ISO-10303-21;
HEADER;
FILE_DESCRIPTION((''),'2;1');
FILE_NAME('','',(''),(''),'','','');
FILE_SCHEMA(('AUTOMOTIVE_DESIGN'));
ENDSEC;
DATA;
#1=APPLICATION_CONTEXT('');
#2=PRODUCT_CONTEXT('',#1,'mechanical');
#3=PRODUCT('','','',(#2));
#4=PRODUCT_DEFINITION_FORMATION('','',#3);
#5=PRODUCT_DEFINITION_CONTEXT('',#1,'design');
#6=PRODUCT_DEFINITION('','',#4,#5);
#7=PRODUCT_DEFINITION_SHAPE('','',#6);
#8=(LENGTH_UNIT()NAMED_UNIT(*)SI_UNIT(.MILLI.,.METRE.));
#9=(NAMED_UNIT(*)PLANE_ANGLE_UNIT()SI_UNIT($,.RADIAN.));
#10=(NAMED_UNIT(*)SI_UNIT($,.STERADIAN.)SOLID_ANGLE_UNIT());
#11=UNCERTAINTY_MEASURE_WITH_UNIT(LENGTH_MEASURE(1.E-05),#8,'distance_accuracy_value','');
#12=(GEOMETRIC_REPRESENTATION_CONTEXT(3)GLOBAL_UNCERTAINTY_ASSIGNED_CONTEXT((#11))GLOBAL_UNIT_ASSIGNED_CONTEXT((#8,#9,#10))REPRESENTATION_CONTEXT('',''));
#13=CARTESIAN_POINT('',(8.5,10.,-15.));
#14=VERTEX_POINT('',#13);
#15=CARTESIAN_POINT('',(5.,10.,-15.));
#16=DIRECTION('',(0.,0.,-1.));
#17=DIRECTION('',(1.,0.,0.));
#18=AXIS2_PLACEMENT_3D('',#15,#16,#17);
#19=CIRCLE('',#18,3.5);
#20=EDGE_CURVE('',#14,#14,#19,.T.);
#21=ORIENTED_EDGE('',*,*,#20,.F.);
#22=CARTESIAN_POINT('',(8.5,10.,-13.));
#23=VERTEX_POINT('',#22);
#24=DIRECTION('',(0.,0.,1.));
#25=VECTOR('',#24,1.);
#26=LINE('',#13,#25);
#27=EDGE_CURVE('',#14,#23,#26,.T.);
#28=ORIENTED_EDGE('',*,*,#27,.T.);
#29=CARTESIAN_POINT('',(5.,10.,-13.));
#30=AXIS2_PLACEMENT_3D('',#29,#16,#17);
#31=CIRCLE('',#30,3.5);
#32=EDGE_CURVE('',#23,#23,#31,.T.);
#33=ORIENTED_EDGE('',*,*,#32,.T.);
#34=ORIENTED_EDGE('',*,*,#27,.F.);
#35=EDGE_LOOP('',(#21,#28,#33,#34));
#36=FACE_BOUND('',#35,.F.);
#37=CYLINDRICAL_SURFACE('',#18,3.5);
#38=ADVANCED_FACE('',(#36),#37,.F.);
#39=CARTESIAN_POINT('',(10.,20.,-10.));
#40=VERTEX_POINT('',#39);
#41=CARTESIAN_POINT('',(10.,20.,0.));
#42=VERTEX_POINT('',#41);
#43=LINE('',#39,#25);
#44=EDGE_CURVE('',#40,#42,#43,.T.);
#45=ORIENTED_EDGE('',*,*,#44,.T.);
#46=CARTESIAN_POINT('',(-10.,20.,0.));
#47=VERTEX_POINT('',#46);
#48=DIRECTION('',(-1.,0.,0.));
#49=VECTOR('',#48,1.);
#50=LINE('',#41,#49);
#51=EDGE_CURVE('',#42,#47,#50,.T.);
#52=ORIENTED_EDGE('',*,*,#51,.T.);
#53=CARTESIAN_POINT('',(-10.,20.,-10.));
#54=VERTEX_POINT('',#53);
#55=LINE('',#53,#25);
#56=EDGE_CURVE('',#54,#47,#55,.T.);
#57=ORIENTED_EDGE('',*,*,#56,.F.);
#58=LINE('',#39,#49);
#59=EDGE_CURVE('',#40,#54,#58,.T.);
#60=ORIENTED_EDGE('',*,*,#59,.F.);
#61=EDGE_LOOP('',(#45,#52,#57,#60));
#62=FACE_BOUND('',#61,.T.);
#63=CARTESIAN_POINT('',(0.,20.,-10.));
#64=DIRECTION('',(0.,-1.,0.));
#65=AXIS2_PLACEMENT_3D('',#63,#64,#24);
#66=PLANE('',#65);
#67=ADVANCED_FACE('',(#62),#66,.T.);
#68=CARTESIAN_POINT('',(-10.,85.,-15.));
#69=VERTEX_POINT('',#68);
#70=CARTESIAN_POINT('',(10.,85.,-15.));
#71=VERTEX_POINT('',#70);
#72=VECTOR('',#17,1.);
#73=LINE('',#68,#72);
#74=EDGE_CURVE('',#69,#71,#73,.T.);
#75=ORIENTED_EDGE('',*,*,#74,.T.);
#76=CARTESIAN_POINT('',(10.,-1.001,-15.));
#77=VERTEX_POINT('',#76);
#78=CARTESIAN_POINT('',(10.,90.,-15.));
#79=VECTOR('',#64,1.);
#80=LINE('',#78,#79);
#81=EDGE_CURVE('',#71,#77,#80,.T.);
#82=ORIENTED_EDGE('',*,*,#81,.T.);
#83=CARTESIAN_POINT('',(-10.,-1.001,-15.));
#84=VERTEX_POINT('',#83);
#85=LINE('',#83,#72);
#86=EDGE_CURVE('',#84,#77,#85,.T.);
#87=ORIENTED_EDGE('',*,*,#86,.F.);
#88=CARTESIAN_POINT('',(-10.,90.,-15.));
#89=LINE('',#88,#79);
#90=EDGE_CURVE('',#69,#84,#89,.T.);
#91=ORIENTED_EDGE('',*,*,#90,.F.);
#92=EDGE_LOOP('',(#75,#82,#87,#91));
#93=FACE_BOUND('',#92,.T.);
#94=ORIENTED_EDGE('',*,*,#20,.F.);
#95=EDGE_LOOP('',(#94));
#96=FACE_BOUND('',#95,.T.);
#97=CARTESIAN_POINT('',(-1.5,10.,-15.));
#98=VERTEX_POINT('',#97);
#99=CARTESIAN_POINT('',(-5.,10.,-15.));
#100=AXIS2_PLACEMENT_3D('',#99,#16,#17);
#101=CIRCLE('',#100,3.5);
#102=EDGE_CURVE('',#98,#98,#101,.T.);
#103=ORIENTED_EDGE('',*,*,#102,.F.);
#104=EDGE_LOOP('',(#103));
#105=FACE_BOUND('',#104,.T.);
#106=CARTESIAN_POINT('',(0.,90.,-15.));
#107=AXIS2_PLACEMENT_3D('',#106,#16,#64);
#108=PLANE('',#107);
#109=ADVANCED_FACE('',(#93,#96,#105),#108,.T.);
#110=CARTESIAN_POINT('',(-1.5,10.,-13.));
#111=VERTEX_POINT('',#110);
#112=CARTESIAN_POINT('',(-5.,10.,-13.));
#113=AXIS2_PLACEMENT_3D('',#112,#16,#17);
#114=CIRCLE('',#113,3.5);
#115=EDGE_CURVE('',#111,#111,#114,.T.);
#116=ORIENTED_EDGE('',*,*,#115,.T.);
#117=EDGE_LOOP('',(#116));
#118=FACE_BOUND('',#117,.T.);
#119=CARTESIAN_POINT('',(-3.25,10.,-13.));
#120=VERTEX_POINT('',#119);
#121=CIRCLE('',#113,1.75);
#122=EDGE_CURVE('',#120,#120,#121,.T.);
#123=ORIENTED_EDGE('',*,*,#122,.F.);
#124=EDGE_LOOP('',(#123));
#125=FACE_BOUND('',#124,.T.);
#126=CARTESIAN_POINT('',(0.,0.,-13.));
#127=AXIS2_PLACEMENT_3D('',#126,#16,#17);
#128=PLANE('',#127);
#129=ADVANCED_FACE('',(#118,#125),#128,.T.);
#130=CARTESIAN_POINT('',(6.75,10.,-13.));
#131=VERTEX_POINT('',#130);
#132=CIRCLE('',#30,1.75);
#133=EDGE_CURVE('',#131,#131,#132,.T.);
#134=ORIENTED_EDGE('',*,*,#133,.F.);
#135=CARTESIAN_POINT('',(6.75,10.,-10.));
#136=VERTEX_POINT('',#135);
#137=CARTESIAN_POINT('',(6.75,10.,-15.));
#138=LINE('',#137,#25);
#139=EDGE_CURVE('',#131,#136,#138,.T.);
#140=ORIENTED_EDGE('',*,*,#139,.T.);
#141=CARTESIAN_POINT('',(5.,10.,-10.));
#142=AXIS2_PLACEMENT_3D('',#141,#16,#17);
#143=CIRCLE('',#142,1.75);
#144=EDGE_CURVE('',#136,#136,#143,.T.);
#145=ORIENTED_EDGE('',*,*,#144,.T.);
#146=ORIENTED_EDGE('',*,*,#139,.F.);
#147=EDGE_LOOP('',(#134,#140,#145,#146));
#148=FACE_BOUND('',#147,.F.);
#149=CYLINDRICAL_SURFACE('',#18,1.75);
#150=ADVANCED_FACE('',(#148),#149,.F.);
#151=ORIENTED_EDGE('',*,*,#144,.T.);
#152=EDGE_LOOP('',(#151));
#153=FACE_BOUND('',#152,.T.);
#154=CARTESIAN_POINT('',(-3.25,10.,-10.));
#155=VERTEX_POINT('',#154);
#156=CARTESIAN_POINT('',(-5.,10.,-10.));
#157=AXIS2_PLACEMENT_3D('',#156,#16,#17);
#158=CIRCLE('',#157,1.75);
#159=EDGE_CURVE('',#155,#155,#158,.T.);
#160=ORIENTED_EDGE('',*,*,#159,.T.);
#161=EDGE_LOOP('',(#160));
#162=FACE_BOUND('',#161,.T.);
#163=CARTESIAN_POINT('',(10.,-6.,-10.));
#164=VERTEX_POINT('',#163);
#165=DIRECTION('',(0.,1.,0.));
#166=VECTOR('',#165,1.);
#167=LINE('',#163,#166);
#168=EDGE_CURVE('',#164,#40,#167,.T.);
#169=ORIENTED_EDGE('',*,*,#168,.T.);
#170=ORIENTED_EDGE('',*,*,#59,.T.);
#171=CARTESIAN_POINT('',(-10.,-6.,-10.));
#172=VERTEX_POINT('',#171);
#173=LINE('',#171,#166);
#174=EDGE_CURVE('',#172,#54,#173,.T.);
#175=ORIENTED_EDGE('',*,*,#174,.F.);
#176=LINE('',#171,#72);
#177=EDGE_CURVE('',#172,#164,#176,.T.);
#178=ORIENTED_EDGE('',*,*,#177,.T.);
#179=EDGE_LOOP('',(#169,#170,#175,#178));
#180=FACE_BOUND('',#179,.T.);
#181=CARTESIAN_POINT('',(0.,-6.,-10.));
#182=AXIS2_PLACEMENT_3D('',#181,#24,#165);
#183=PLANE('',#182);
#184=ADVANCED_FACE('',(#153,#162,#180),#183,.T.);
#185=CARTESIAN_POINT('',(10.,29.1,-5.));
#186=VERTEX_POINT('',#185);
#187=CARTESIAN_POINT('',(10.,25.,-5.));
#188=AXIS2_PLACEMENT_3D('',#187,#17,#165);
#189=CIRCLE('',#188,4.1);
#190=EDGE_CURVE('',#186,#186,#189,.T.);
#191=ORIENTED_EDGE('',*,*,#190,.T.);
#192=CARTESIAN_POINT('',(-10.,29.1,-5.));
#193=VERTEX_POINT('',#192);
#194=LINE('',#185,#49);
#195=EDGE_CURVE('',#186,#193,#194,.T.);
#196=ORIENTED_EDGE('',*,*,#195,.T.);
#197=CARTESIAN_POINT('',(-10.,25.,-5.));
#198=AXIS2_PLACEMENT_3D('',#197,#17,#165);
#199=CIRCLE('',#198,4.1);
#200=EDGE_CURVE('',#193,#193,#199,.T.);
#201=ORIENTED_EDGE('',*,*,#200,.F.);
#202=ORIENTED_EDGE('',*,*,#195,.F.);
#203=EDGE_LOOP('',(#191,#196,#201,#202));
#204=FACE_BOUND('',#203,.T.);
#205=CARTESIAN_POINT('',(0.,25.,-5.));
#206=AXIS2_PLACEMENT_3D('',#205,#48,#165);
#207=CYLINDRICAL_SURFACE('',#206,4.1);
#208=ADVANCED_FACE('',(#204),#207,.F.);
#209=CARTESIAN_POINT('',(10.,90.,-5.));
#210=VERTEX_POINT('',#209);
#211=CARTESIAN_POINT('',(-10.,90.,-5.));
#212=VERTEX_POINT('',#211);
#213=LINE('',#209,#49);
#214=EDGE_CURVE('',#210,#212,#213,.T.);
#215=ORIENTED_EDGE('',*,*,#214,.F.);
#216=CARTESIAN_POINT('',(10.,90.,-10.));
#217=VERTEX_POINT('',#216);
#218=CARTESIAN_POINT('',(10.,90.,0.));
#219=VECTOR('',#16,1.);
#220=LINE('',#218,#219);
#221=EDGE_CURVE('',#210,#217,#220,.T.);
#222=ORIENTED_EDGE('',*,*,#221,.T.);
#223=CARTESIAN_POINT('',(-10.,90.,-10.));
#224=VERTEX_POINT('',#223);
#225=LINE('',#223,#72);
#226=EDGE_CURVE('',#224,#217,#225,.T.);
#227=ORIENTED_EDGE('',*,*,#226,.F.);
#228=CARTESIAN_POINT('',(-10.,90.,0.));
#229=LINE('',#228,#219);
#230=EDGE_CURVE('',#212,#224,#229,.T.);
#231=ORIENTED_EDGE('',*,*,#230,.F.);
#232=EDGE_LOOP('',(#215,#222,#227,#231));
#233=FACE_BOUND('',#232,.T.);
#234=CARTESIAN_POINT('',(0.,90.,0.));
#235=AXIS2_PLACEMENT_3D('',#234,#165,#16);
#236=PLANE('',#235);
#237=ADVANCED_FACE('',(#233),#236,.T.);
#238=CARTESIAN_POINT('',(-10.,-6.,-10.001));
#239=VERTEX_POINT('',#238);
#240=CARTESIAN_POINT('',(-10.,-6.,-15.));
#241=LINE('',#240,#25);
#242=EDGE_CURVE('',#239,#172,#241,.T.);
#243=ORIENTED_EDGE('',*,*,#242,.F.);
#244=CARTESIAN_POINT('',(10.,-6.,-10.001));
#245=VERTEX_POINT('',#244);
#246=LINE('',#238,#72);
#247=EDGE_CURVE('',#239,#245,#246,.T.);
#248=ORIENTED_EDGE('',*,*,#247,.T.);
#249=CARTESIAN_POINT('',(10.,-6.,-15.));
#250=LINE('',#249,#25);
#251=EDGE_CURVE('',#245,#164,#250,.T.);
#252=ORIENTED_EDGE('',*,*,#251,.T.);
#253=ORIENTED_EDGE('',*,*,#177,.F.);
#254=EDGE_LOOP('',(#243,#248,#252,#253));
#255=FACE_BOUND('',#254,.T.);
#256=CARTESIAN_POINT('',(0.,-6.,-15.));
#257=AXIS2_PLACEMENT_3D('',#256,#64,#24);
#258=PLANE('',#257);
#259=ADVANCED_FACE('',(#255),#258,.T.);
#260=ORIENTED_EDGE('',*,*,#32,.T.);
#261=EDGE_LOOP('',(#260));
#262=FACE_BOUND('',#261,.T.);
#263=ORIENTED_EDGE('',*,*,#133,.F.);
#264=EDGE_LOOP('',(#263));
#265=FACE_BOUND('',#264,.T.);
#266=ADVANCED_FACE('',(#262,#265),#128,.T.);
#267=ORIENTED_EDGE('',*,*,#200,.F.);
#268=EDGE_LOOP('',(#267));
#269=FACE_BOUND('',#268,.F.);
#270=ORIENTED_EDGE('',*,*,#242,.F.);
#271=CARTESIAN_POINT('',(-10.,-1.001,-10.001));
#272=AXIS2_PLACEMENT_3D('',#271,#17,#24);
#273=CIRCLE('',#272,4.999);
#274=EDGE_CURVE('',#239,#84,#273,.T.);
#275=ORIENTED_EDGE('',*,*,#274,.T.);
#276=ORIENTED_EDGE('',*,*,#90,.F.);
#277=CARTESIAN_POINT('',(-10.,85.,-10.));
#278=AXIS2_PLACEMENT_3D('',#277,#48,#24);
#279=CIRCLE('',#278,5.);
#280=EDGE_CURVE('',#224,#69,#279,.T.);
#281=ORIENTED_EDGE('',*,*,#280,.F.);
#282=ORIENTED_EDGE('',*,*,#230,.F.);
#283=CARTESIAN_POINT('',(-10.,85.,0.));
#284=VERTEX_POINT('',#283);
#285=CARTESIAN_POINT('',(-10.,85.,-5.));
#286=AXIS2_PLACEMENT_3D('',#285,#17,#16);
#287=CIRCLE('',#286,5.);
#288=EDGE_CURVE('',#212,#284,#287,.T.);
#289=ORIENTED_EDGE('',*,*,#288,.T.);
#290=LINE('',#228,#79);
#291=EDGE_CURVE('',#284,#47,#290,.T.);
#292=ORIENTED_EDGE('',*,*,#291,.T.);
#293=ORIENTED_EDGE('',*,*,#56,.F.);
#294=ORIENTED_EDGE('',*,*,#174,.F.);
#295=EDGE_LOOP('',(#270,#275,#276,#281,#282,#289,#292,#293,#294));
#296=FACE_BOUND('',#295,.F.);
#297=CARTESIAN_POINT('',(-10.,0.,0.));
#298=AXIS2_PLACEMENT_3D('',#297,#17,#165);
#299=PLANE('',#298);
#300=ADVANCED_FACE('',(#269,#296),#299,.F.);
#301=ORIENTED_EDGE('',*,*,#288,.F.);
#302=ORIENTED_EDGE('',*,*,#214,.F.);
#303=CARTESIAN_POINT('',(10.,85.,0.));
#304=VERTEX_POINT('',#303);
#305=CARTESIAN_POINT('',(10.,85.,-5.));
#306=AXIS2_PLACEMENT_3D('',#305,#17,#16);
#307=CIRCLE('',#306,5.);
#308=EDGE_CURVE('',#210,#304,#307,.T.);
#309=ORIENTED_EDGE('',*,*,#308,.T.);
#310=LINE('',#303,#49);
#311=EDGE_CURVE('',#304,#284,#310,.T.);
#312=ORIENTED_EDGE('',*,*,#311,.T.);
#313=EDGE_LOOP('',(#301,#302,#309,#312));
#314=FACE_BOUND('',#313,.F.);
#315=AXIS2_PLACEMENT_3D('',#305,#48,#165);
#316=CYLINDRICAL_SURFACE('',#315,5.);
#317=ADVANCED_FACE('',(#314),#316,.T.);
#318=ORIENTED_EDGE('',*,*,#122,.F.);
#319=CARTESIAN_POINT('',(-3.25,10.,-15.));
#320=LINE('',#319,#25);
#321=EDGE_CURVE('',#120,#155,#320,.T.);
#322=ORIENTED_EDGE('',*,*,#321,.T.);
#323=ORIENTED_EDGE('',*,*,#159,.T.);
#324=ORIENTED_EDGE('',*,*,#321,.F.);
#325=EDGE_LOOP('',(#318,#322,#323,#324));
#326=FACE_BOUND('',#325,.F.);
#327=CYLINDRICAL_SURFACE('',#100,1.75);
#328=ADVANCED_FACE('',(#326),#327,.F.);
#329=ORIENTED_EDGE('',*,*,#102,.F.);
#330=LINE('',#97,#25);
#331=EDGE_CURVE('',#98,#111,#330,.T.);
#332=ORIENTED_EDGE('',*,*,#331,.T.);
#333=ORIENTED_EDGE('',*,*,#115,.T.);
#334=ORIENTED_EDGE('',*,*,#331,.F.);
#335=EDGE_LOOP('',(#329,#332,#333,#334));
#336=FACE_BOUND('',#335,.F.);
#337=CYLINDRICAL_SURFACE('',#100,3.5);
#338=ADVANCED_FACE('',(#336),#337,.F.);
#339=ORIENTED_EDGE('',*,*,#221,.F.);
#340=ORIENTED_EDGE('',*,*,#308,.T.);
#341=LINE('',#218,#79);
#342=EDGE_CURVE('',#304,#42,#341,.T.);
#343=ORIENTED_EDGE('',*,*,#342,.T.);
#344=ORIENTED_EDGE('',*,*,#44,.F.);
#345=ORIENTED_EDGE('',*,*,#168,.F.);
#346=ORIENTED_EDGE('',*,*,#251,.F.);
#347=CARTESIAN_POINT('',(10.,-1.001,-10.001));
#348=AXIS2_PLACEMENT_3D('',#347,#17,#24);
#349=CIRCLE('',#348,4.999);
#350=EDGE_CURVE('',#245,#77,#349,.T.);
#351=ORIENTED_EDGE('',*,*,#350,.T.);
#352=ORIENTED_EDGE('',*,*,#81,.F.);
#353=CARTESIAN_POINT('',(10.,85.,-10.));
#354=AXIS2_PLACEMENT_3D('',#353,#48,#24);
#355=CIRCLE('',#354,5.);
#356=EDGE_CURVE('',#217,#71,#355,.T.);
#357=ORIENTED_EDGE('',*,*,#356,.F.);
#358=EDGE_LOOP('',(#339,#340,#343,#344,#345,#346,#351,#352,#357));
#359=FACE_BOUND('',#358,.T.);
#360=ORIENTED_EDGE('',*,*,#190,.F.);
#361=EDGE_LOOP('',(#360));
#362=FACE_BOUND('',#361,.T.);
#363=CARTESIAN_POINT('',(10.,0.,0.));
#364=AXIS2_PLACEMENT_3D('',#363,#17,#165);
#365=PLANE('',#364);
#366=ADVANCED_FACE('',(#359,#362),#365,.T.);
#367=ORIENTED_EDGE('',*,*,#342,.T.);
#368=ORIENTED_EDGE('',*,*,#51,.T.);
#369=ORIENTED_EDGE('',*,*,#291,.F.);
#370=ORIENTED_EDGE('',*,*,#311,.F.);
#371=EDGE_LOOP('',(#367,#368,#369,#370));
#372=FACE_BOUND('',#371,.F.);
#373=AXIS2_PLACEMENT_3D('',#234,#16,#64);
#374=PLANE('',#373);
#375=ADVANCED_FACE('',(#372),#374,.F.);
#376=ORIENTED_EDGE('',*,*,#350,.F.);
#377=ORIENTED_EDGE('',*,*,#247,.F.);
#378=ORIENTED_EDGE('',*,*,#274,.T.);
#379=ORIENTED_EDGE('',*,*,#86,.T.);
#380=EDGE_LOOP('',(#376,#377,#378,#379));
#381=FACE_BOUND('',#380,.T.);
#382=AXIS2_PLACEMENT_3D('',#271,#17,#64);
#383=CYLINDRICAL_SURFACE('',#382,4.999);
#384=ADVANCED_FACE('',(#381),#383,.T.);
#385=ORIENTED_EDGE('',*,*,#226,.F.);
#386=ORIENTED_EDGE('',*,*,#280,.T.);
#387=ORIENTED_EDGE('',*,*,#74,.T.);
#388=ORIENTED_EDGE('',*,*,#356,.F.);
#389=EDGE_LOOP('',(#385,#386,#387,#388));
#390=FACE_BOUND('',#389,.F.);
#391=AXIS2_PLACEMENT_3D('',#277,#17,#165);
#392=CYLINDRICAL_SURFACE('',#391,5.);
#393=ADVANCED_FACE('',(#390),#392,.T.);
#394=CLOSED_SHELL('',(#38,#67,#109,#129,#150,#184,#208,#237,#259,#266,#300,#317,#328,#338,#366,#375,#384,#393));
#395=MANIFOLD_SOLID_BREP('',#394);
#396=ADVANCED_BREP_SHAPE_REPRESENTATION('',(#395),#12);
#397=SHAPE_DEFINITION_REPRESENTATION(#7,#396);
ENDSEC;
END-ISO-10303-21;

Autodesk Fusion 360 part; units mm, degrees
sketch "Skizze4" plane through (0, 0, 0) normal (0, 0, 1) x (1, 0, 0)
  line L0 (1.5, -6) -> (-1.5, -6)
  line L1 (-1.5, -6) -> (-1.5, 0)
  line L2 (-1.5, 0) -> (1.5, 0)
  line L3 (1.5, 0) -> (1.5, -6)
  line L4 (1.5, -6) -> (-1.5, 0) construction
  line L5 (-1.5, -6) -> (1.5, 0) construction
  line L6 (0, 9.7025) -> (0, -8.7035) construction
  line L7 (-7.2352, -6) -> (6.1757, -6) construction
  point P0 (0, -3)
  point P1 (0, -6)
  dimension "d21" = 3
  dimension "d22" = 6
ref_plane "Arbeitsebene1" through (0, 0, -6.5) normal (0, 0, 1) x (1, 0, 0)
sketch "Skizze7" plane through (0, 0, -6.5) normal (0, 0, 1) x (1, 0, 0)
  line L0 (-16.0259, 10) -> (20, 10) construction
  line L1 (-5, 21.68) -> (-5, -11.619) construction
  line L2 (5, 22.2413) -> (5, -12.5543) construction
  line L3 (-2.05, 11.7032) -> (-5, 13.4064)
  line L4 (-5, 13.4064) -> (-7.95, 11.7032)
  line L5 (-7.95, 11.7032) -> (-7.95, 8.2968)
  line L6 (-7.95, 8.2968) -> (-5, 6.5936)
  line L7 (-5, 6.5936) -> (-2.05, 8.2968)
  line L8 (-2.05, 8.2968) -> (-2.05, 11.7032)
  line L9 (7.95, 11.7032) -> (5, 13.4064)
  line L10 (5, 13.4064) -> (2.05, 11.7032)
  line L11 (2.05, 11.7032) -> (2.05, 8.2968)
  line L12 (2.05, 8.2968) -> (5, 6.5936)
  line L13 (5, 6.5936) -> (7.95, 8.2968)
  line L14 (7.95, 8.2968) -> (7.95, 11.7032)
  line L15 (-15.7752, 15) -> (18.7006, 15) construction
  line L16 (0, 22.633) -> (0, -9.7229) construction
  line L17 (2.95, 16.7032) -> (0, 18.4064)
  line L18 (0, 18.4064) -> (-2.95, 16.7032)
  line L19 (-2.95, 16.7032) -> (-2.95, 13.2968)
  line L20 (-2.95, 13.2968) -> (0, 11.5936)
  line L21 (0, 11.5936) -> (2.95, 13.2968)
  line L22 (2.95, 13.2968) -> (2.95, 16.7032)
  point P0 (-5, 10)
  point P1 (5, 10)
  point P2 (-5, 10)
  point P3 (5, 10)
  point P4 (0, 15)
  point P5 (0, 15)
  dimension "d47" = 5.9
  dimension "d48" = 5.9
  dimension "d51" = 15
  dimension "d52" = 5.9
  dimension "d117" = 10
  dimension "d118" = 5
  dimension "d119" = 5
sketch "Skizze1" plane through (0, 0, 0) normal (1, 0, 0) x (0, 1, 0) in component "Unterteil"
  line L0 (0, 9.24) -> (0, -14) construction
  line L1 (-13.3055, 0) -> (32, 0) construction
  line L2 (-6, -10) -> (20, -10)
  line L3 (20, -10) -> (20, 0)
  line L4 (90, 0) -> (90, -15)
  line L5 (90, -15) -> (-6, -15)
  line L6 (-6, -15) -> (-6, -10)
  line L7 (90, 0) -> (20, 0)
  line L8 (25, 1.4735) -> (25, -18) construction
  line L9 (33.3576, -5) -> (21.4671, -5) construction
  circle A0 centre (25, -5) radius 4.1
  dimension "d60" = 70
  dimension "d61" = 15
  dimension "d64" = 8.2
  dimension "d120" = 25
  dimension "d121" = 5
  dimension "d122" = 15
  dimension "d123" = 10
  dimension "d124" = 20
  dimension "d125" = 6
extrude "Extrusion1" add sketch "Skizze1" along normal mid plane 20 in component "Unterteil"
sketch "Skizze2" plane through (0, 0, -15) normal (0, 0, -1) x (1, 0, 0) in component "Unterteil"
  line L0 (-10, -90) -> (10, -90)
  line L1 (10, -90) -> (10, 6)
  line L2 (10, 6) -> (-10, 6)
  line L3 (-10, 6) -> (-10, -90)
  line L4 (14.3477, -10) -> (-22.3478, -10) construction
  line L5 (5, -37) -> (5, 12.4856) construction
  line L6 (-5, -37.5119) -> (-5, 12) construction
  circle A0 centre (-5, -10) radius 1.75
  circle A1 centre (5, -10) radius 1.75
  circle A2 centre (5, -10) radius 3.5
  circle A3 centre (-5, -10) radius 3.5
  dimension "d67" = 16
  dimension "d68" = 5
  dimension "d69" = 5
  dimension "d70" = 3.5
  dimension "d71" = 3.5
  dimension "d72" = 7
  dimension "d73" = 7
extrude "Extrusion2" cut sketch "Skizze2" against normal blind 10 contours A0 | A1 in component "Unterteil"
extrude "Extrusion3" cut sketch "Skizze2" against normal blind 2 contours A2 | A3 in component "Unterteil"
fillet "Abrundung3" radius 5 1 edges at (0, -6, -15) in component "Unterteil"
fillet "Abrundung4" radius 5 1 edges at (0, 90, 0) in component "Unterteil"
fillet "Abrundung5" radius 5 1 edges at (0, 90, -15) in component "Unterteil"
component "Unterteil" placed x (1, 0, 0) y (0, 1, 0) z (0, 0, 1) at (0, 0, 0)
component "Basis" placed x (1, 0, 0) y (0, 1, 0) z (0, 0, 1) at (0, 0, 0)
